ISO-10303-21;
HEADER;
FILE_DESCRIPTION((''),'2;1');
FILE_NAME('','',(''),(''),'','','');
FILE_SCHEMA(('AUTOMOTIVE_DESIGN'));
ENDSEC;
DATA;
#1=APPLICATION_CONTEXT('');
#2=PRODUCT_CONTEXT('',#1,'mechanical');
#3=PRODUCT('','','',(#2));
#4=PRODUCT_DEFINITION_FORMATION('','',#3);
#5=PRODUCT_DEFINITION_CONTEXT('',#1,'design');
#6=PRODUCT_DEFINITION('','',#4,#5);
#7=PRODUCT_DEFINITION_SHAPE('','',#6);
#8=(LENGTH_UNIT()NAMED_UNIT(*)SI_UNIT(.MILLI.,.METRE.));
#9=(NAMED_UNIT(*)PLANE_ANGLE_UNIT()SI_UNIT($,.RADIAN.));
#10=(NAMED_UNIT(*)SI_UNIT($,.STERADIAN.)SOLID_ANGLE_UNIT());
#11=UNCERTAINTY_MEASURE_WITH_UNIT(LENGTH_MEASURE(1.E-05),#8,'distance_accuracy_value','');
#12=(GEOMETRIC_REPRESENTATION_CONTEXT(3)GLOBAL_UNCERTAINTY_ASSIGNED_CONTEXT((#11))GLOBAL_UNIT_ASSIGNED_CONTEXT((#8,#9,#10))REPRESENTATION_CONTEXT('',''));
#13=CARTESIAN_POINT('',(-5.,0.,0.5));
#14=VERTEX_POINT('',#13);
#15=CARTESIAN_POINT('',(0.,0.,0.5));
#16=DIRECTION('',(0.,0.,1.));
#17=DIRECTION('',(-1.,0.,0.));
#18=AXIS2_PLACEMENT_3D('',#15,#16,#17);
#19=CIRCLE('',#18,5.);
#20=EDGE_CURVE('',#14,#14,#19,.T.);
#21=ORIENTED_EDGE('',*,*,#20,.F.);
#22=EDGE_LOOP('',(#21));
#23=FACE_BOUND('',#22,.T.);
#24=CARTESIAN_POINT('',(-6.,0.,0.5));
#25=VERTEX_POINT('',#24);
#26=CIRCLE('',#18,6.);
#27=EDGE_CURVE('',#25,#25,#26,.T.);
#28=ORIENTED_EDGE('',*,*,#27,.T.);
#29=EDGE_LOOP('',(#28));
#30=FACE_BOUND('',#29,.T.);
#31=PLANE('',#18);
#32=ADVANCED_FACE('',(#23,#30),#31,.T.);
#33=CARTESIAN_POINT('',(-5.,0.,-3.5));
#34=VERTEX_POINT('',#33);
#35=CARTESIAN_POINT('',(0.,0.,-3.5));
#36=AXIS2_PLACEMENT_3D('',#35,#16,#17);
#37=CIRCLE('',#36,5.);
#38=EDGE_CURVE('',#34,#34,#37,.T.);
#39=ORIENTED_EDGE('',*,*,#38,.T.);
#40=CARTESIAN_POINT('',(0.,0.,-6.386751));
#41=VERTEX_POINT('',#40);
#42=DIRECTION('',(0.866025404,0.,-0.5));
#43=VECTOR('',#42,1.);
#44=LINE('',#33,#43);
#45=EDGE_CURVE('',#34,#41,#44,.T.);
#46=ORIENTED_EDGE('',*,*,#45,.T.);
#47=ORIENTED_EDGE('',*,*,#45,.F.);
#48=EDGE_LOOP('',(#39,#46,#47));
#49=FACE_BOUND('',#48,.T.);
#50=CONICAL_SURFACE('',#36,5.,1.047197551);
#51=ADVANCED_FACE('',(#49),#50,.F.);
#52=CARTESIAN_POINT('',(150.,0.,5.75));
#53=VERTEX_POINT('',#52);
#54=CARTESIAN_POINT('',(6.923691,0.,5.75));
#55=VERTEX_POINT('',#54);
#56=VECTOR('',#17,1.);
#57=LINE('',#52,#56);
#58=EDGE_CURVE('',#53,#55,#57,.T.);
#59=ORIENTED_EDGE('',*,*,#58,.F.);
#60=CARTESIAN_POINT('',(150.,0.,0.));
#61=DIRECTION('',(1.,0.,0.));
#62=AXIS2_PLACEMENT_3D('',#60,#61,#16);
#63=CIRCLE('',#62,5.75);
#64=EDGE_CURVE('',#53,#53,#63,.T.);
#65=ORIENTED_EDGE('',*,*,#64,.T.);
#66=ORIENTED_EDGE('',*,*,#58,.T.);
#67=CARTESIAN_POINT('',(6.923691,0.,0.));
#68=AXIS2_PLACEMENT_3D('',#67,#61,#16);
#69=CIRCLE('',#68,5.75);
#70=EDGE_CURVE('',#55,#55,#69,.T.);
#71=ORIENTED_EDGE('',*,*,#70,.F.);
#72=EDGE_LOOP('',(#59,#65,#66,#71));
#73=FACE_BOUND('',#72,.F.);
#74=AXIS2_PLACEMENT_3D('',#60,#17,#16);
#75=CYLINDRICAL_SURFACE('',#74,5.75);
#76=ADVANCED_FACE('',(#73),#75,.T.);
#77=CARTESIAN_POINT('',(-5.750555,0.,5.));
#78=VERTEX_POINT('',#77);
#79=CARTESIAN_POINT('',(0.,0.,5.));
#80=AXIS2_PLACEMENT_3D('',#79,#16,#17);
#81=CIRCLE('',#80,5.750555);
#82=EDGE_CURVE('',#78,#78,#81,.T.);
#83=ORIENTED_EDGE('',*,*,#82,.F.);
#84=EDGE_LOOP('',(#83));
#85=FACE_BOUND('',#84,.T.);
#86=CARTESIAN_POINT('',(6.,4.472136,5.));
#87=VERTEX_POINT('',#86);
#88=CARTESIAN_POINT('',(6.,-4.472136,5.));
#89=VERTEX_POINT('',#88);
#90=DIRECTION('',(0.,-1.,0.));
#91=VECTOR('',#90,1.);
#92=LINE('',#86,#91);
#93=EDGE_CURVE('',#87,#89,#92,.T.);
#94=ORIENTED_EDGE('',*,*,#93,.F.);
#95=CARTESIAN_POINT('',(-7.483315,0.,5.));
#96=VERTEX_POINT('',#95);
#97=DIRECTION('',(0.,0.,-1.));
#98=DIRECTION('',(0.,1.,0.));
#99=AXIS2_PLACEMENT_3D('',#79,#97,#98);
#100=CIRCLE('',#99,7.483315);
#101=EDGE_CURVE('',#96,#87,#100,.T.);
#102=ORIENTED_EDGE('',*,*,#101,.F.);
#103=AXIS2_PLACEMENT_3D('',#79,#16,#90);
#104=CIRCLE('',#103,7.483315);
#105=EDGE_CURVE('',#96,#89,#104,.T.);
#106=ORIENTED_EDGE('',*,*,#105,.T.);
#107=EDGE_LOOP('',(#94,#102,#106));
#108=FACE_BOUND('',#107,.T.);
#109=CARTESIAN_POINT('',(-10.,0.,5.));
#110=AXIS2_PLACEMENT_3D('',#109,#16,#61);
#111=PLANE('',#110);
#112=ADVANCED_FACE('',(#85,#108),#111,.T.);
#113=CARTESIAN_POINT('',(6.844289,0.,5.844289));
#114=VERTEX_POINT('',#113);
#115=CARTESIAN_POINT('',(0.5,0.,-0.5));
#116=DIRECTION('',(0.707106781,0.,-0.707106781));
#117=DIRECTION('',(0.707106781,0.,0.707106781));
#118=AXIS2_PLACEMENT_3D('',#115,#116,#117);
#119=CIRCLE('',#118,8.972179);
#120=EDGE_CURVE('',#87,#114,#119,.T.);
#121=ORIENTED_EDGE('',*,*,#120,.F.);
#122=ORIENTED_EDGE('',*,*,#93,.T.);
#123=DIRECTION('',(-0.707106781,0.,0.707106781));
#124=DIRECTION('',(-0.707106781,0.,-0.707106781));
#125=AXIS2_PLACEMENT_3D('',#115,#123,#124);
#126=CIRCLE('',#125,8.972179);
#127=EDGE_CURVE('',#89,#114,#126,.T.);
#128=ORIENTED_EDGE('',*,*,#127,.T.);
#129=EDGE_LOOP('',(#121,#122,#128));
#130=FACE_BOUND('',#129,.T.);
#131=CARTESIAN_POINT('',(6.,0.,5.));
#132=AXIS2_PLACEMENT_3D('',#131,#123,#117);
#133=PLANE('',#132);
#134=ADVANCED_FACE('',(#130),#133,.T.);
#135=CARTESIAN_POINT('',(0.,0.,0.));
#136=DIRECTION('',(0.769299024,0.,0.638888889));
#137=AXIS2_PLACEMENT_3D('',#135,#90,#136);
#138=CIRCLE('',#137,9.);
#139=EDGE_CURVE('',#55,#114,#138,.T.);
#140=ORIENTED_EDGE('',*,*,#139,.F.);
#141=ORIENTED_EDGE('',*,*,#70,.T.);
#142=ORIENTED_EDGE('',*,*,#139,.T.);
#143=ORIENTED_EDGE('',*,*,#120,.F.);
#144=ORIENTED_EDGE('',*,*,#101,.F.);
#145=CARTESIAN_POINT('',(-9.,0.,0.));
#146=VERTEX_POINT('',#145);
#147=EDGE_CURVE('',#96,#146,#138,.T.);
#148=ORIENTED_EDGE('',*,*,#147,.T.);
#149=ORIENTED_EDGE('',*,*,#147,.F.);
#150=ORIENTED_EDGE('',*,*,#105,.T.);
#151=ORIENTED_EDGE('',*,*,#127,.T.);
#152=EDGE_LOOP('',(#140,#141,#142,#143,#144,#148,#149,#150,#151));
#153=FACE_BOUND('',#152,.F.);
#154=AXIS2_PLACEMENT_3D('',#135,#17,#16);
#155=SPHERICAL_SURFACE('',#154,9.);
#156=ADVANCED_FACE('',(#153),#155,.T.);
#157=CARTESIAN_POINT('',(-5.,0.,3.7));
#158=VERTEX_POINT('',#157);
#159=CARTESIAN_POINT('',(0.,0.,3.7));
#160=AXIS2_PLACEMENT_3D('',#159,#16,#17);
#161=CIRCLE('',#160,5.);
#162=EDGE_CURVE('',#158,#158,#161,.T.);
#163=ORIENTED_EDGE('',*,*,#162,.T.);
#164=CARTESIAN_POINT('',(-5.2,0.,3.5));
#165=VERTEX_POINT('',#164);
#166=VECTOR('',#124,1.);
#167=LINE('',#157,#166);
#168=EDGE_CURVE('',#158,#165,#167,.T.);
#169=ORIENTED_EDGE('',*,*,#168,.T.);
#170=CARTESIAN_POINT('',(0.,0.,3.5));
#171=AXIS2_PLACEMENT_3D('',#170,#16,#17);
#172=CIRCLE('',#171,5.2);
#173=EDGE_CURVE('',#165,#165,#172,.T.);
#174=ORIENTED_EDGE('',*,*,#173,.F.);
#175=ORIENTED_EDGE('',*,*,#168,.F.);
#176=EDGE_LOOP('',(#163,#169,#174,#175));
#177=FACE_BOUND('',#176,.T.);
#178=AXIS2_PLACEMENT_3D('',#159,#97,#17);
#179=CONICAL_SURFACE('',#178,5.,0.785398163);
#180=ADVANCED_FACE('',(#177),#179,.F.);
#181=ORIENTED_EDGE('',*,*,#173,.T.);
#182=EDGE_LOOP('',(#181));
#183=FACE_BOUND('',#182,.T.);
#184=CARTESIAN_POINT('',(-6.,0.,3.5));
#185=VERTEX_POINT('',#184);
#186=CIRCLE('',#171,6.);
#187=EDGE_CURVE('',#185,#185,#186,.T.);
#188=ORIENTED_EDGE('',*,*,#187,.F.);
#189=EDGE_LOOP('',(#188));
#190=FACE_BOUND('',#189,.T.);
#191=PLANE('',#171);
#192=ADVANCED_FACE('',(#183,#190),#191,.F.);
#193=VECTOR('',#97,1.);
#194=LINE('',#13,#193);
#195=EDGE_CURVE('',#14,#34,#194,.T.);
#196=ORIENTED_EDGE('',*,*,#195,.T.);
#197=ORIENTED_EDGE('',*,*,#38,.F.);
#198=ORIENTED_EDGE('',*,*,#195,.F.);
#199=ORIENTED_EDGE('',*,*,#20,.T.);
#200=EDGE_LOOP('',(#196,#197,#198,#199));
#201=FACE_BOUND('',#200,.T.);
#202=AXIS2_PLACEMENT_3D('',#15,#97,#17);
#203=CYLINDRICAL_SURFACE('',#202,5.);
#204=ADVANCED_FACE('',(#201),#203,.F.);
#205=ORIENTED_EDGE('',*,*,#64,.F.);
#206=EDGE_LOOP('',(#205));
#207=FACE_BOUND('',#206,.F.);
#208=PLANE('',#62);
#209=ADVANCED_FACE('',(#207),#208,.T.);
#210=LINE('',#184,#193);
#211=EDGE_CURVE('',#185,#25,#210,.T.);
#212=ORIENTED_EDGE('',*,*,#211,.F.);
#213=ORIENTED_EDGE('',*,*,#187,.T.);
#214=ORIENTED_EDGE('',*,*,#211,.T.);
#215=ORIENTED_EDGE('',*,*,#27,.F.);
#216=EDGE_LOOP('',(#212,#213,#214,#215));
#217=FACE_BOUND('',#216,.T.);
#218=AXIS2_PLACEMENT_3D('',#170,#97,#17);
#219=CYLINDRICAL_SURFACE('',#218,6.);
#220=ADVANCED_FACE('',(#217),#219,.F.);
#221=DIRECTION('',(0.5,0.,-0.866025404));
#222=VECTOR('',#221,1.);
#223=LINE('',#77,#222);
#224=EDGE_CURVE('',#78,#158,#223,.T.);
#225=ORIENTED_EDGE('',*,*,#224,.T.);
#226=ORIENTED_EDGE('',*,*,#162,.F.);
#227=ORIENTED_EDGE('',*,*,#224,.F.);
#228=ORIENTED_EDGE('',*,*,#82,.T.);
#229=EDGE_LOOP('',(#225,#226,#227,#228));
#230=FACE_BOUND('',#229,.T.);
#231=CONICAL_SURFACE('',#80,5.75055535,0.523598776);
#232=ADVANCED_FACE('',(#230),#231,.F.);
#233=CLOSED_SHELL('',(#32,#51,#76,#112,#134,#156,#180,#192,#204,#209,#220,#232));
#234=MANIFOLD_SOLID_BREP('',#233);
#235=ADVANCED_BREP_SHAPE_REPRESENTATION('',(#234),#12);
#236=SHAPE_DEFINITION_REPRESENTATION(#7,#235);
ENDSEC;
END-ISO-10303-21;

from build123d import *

# Parameters (mm, degrees)
F3_DEPTH      = 25
F3_DEPTH_BACK = 25


with BuildPart() as f1:
    # F0 (on Front) → F1 (revolve)
    with BuildSketch(Plane.XZ):
        with BuildLine():
            Line((150, 5.75), (6.9236912121, 5.75))
            ThreePointArc((6.9236912121, 5.75), (-3.0566958543, 8.4650227675), (-9, 0))
            Line((-9, 0), (150, 0))
            Line((150, 0), (150, 5.75))
        make_face()
    revolve(axis=Axis((120.5487623811, 0, 0), (1, 0, 0)))

    # F2 (on Front) → F3 (cut, two sides)
    with BuildSketch(Plane.XZ) as f3_sk:
        Polygon((10, 9), (10, 10), (-10, 10), (-10, 5), (6, 5), align=None)
    extrude(amount=-F3_DEPTH, mode=Mode.SUBTRACT)
    extrude(f3_sk.sketch, amount=F3_DEPTH_BACK, mode=Mode.SUBTRACT)

    # F4 (on Front) → F5 (revolve, cut)
    with BuildSketch(Plane.XZ):
        Polygon((-5, -3.5), (0, -6.3867513459), (0, 5), (-5.7505553499, 5), (-5, 3.7), (-5.2, 3.5), (-6, 3.5), (-6, 0.5), (-5, 0.5), align=None)
    revolve(axis=Axis((0, 0, 6.4185173251), (0, 0, 1)), mode=Mode.SUBTRACT)


solid = f1.part
